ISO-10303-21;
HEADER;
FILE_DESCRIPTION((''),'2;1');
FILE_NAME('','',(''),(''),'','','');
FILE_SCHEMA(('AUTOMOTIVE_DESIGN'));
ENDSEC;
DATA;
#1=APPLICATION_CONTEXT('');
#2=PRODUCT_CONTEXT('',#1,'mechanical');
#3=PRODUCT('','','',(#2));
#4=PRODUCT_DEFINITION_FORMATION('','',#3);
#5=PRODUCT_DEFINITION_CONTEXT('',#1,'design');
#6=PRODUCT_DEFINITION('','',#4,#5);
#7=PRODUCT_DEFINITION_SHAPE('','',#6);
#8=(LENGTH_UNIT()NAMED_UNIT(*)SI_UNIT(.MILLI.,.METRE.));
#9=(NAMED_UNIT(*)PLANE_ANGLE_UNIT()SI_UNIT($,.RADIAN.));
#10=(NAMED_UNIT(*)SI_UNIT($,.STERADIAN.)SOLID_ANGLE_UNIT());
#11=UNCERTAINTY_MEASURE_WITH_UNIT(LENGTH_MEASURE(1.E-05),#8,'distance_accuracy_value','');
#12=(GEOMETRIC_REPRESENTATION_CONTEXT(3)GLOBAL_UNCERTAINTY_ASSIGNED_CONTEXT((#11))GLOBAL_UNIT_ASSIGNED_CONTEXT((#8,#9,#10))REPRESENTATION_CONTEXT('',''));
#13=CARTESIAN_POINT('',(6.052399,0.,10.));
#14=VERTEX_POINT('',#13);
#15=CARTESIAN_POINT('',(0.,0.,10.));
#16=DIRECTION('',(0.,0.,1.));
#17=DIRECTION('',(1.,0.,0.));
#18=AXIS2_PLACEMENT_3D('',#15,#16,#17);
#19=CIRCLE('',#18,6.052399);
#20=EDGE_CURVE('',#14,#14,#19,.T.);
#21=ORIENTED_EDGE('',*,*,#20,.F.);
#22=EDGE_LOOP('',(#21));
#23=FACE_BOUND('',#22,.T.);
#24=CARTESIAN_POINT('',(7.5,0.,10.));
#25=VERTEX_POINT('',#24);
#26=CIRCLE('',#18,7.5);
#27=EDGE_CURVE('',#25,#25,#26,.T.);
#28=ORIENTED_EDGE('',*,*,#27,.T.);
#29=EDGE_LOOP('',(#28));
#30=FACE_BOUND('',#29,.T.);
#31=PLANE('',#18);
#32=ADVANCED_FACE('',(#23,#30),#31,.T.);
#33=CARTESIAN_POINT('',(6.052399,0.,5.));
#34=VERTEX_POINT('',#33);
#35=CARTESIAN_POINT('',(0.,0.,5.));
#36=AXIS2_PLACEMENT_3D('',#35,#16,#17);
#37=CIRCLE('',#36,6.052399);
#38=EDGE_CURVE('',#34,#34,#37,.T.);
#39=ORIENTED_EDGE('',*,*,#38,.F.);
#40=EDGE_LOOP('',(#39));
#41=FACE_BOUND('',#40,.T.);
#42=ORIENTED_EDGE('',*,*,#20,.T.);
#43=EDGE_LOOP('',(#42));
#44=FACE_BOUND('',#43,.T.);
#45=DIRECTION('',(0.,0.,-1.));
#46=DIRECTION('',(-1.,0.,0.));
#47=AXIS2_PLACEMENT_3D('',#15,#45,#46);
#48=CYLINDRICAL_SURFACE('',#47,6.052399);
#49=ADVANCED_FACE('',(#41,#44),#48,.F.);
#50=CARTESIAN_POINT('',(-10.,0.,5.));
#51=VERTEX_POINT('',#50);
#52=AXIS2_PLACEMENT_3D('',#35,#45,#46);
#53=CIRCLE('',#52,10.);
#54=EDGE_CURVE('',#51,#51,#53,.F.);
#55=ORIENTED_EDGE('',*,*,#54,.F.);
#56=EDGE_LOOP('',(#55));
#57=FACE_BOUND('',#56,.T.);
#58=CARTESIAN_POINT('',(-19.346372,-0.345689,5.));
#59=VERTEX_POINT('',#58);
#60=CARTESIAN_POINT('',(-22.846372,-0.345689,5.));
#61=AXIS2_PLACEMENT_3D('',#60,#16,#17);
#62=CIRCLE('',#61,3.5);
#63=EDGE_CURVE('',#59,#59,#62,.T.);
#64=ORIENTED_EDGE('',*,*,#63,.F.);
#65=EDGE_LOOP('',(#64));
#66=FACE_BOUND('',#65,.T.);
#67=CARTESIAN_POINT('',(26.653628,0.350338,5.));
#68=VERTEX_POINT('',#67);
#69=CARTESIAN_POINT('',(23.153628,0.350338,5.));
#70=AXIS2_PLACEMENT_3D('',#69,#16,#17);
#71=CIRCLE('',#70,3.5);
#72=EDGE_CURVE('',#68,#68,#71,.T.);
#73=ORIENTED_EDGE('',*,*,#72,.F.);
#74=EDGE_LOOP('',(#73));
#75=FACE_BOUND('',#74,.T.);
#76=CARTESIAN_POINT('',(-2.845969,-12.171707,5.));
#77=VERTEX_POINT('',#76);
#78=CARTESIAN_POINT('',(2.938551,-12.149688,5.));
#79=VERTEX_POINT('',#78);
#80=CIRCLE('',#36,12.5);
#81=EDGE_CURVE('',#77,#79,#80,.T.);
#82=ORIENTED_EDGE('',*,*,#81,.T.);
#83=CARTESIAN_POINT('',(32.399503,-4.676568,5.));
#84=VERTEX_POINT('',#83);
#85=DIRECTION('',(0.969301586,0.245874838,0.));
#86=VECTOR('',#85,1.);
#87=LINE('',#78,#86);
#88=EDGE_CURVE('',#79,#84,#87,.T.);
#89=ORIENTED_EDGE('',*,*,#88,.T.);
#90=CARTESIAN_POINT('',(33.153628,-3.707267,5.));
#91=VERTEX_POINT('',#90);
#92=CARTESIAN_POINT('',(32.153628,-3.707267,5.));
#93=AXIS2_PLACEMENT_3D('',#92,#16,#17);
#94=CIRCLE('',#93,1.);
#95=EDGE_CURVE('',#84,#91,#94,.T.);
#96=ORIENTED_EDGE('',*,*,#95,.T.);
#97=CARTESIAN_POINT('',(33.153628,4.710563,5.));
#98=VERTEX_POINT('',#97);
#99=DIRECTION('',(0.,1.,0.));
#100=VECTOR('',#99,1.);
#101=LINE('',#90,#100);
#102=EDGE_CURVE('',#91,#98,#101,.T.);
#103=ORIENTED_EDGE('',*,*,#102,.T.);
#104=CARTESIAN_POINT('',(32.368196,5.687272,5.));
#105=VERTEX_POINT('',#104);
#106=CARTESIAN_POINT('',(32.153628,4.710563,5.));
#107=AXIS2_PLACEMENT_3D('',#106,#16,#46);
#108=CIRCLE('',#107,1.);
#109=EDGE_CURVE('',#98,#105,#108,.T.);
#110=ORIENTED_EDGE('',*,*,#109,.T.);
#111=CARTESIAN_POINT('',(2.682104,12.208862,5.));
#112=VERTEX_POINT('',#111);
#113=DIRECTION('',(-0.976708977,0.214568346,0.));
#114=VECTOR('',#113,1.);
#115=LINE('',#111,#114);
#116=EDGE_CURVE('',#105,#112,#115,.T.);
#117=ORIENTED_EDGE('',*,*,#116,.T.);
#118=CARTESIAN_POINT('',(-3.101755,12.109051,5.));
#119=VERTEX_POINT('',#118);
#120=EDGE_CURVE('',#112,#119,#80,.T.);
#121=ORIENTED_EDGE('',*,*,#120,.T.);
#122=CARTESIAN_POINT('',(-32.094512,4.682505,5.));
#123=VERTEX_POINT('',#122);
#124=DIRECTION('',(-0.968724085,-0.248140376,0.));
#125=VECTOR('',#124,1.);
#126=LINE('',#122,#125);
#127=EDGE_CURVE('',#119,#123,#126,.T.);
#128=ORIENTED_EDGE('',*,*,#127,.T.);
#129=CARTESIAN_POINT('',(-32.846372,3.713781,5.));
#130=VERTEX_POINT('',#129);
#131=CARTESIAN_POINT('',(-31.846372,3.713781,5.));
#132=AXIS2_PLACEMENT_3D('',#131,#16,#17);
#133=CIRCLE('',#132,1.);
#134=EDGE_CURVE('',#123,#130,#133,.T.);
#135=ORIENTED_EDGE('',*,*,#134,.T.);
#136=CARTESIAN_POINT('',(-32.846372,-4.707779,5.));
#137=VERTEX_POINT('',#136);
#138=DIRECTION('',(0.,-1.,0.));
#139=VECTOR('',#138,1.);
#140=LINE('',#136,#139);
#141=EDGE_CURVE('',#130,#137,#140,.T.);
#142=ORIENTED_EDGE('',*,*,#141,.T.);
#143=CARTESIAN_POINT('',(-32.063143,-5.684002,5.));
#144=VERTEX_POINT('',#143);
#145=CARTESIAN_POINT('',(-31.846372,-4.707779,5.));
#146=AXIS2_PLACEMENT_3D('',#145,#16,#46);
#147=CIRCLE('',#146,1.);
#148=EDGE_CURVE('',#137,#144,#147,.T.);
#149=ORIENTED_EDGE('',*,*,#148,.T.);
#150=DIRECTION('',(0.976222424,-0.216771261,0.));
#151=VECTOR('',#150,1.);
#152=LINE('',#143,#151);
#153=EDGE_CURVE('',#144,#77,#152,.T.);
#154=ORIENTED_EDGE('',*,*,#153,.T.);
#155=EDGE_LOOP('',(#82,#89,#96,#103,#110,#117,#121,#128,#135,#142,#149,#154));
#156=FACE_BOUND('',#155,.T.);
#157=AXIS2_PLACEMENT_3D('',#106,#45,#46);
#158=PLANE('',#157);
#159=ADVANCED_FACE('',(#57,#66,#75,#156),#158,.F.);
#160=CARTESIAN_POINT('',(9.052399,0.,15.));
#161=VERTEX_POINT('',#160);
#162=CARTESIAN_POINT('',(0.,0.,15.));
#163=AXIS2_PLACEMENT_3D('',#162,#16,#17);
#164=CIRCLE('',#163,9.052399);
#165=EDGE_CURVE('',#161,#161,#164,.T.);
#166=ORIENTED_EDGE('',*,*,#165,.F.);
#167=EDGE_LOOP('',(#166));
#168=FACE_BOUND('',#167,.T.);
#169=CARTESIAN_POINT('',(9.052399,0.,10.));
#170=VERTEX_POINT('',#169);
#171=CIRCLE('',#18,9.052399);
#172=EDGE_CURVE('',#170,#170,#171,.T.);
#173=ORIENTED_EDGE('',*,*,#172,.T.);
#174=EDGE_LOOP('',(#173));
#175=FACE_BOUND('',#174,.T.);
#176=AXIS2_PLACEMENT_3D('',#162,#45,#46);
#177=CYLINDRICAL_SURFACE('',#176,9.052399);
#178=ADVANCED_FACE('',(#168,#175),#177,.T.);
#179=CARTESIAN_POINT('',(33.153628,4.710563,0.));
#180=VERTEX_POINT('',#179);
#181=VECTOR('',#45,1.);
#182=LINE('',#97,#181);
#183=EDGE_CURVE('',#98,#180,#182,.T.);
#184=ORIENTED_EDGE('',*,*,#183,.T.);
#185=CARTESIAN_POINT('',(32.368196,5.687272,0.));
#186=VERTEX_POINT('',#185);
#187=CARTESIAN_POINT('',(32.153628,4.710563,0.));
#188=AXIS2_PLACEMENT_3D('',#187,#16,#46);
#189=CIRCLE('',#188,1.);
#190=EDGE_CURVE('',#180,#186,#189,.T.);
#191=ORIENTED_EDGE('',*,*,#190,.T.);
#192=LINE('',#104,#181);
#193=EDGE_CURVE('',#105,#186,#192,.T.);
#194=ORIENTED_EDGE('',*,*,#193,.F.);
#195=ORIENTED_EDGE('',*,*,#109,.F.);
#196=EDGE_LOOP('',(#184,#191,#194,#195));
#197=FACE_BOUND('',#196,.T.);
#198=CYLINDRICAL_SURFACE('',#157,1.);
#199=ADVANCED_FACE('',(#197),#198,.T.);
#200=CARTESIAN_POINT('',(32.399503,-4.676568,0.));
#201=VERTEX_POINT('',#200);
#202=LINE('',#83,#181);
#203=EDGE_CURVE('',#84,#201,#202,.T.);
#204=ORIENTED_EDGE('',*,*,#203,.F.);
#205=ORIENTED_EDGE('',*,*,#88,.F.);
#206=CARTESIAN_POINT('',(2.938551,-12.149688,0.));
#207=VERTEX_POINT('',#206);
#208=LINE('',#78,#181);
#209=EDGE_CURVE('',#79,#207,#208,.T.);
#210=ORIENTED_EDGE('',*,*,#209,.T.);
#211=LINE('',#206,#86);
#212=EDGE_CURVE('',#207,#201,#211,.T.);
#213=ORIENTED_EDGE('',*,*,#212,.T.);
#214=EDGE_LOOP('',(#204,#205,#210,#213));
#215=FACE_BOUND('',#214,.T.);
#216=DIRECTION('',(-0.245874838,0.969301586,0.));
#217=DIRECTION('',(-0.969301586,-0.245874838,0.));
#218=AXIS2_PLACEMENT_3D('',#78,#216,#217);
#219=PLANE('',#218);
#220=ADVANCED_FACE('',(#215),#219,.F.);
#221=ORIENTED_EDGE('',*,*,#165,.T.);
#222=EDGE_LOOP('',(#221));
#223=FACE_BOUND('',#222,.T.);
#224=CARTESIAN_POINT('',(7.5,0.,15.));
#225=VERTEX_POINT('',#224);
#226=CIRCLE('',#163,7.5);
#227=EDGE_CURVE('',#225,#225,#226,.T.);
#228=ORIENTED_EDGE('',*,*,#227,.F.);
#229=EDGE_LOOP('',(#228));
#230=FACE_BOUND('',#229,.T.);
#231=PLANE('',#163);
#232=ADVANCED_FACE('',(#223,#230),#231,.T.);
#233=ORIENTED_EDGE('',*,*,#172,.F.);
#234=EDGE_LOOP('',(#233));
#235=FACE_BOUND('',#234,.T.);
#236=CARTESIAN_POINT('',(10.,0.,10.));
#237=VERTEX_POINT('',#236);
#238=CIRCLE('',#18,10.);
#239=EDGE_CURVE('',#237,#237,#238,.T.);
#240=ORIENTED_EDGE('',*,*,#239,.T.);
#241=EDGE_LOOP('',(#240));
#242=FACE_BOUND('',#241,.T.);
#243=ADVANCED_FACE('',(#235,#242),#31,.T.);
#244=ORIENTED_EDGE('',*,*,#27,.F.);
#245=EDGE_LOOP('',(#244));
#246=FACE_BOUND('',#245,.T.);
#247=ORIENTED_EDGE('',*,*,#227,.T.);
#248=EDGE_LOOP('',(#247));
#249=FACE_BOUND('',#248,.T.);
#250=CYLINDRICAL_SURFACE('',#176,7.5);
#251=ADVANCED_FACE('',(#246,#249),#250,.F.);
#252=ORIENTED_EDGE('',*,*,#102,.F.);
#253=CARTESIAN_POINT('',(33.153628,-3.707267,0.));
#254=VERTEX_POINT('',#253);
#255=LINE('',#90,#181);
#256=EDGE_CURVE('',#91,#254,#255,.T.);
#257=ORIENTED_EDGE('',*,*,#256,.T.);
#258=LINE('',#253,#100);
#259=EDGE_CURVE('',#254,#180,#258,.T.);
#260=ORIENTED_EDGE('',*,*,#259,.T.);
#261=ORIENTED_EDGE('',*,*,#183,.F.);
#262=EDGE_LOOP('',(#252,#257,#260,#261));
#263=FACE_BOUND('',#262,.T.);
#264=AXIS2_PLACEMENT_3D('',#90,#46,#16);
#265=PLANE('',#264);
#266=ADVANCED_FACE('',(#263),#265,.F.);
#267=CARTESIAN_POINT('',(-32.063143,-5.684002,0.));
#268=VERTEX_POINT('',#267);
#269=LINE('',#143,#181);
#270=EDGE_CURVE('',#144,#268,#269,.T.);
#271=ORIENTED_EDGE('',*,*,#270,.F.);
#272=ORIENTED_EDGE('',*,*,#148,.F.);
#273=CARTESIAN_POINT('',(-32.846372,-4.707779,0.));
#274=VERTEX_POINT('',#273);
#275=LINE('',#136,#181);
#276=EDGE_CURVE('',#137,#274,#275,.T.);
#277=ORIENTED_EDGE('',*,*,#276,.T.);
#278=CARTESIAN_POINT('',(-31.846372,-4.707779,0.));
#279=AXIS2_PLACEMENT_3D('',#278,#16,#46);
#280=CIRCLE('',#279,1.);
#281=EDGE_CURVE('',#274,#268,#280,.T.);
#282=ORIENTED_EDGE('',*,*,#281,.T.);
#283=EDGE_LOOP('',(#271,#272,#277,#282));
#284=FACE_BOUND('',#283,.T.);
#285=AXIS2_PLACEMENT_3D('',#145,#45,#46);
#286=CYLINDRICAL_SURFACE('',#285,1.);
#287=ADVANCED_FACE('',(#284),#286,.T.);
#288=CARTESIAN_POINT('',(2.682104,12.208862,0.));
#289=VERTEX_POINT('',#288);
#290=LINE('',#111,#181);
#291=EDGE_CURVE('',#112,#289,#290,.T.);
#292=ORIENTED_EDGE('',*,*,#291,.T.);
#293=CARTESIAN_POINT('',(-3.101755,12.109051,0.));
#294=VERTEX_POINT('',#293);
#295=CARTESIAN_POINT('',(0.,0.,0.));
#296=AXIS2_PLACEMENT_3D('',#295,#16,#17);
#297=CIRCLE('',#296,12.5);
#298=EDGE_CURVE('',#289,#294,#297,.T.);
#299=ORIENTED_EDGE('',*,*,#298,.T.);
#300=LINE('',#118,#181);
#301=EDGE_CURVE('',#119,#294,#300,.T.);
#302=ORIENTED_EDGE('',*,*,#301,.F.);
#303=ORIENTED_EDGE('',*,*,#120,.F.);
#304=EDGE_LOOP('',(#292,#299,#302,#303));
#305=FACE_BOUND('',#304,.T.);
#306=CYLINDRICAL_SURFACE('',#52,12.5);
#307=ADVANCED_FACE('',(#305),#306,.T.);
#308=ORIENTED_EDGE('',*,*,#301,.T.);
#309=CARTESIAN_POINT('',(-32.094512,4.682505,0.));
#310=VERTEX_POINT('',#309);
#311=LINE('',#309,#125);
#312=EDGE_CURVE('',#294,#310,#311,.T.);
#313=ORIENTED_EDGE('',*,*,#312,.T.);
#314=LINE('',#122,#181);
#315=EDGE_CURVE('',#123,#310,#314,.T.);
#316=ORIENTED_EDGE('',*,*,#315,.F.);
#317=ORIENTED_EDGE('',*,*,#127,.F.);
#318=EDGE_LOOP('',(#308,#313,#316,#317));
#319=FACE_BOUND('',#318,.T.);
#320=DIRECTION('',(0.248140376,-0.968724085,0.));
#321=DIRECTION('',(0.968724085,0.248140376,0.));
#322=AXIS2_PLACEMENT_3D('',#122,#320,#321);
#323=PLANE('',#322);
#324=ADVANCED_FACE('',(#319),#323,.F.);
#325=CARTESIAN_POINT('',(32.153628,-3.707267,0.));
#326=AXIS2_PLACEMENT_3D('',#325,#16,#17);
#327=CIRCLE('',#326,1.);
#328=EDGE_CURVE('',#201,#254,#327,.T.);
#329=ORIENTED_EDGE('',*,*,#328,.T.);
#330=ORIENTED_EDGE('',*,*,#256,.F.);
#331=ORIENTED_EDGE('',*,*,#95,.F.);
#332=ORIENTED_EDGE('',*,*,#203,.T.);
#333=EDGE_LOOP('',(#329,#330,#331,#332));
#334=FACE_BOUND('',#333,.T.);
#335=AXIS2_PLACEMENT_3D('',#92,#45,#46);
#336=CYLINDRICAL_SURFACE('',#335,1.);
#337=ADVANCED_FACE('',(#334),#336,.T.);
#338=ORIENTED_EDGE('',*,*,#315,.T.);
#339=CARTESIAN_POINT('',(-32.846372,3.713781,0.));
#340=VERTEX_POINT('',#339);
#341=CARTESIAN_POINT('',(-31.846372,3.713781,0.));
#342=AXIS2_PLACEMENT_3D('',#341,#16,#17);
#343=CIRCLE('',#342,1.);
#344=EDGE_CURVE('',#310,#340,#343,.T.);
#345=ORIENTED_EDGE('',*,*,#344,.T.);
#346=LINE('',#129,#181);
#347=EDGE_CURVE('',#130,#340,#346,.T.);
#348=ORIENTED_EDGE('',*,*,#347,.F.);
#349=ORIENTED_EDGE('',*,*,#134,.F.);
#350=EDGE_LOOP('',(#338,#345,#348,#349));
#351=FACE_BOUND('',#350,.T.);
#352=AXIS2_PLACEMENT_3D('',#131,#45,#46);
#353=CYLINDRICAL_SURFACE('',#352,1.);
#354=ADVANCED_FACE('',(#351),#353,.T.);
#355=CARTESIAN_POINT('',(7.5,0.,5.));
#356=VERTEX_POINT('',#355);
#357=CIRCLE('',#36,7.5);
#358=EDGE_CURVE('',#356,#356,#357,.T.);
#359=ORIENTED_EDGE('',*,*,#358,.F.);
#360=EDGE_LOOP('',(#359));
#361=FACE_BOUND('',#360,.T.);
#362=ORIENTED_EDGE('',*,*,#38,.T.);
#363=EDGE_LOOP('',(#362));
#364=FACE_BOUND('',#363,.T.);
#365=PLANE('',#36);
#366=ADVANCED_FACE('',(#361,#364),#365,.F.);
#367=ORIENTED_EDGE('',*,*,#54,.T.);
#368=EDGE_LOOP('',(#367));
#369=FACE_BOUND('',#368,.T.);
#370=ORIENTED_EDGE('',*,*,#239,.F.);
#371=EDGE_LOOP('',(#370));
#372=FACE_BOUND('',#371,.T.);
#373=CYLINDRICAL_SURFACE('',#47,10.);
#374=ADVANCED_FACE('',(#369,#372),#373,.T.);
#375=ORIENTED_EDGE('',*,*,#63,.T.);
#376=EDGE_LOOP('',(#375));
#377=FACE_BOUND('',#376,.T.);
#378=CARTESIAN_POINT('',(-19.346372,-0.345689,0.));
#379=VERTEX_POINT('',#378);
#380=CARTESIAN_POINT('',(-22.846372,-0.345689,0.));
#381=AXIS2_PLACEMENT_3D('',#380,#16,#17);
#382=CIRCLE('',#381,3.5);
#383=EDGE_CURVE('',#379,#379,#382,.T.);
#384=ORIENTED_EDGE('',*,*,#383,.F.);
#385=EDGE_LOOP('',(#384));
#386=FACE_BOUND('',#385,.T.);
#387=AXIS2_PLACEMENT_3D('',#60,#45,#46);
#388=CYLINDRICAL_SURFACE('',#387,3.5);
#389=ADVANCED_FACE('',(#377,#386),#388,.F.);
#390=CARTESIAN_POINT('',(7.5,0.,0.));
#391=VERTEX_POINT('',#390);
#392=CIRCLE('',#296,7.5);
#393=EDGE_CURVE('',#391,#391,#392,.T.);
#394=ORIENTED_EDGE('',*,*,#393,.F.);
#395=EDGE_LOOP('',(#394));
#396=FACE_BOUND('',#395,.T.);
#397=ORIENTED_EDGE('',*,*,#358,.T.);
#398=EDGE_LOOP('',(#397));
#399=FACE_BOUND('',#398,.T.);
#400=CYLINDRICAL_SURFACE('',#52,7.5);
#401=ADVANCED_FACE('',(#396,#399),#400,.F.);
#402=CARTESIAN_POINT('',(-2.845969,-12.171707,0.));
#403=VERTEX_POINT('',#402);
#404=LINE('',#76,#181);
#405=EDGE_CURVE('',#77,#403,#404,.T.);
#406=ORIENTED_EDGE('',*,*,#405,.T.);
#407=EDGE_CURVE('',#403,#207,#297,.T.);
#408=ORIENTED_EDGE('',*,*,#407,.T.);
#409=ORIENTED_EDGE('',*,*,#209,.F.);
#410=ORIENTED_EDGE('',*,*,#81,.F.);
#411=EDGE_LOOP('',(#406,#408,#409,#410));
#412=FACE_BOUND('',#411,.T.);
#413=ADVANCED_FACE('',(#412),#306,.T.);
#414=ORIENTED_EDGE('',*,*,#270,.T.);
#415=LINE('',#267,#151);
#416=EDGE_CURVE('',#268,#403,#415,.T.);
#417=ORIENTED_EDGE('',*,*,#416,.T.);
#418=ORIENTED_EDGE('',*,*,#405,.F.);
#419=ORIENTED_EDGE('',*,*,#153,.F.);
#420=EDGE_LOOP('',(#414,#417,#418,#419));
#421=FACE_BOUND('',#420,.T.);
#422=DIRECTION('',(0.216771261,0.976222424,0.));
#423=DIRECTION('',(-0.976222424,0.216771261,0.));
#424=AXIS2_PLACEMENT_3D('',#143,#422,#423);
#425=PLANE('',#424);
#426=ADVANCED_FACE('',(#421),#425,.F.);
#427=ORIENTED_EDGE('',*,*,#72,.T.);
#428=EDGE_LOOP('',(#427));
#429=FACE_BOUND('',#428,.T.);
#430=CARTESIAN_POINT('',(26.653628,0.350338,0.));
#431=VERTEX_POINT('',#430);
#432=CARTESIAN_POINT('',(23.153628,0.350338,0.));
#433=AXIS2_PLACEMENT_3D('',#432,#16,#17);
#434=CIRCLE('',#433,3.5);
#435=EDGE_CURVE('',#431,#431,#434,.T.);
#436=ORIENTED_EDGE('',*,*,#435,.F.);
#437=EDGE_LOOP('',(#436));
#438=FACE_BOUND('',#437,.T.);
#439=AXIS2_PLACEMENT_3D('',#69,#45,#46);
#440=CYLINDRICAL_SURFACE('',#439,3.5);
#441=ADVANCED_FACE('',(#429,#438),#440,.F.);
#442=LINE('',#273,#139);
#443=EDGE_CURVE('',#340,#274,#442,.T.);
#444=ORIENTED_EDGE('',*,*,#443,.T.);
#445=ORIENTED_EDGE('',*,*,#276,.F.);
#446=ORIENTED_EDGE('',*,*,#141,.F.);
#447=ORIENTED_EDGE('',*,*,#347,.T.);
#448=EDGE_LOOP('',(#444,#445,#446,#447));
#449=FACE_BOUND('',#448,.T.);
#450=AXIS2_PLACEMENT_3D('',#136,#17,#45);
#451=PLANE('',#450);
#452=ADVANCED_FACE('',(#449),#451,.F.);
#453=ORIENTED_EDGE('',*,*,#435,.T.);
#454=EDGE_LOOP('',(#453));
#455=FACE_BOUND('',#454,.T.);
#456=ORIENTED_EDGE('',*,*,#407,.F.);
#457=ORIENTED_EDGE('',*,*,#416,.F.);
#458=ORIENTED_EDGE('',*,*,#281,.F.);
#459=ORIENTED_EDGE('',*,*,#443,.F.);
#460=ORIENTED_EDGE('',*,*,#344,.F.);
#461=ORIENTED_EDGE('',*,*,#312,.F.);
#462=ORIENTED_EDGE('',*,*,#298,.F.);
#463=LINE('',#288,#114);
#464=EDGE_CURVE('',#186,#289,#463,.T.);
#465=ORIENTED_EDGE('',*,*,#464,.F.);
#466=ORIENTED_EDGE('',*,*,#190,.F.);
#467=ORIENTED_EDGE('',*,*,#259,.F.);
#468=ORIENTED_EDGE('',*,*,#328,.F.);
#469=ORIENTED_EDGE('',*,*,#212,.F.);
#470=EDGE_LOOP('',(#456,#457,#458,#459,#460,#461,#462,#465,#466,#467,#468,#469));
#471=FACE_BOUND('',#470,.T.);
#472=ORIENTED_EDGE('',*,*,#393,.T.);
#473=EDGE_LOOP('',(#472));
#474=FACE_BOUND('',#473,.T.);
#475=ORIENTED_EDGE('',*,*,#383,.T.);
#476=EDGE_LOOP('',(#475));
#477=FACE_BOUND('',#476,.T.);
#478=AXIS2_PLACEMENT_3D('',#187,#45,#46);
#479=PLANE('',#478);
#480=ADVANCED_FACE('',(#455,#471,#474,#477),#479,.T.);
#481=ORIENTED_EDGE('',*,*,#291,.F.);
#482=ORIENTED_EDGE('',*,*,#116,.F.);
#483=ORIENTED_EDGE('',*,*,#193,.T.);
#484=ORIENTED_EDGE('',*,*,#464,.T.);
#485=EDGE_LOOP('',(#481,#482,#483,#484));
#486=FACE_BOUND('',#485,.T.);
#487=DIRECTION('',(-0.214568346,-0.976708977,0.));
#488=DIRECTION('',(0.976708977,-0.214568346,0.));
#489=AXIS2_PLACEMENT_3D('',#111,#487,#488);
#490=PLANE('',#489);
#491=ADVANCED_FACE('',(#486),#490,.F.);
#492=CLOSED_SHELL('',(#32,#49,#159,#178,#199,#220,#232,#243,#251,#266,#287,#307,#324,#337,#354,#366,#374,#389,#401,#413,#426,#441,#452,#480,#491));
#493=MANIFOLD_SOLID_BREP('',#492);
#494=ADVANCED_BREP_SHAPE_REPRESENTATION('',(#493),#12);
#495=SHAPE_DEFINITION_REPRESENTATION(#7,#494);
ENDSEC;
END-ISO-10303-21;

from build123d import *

# Parameters (mm, degrees)
SKETCH2_R           = 7.5
SKETCH2_R_2         = 3.5
BOSS_EXTRUDE1_DEPTH = 5
SKETCH3_R           = 10
SKETCH3_R_2         = 6.052399113
BOSS_EXTRUDE2_DEPTH = 5
SKETCH5_R           = 9.052399113
SKETCH5_R_2         = 7.5
BOSS_EXTRUDE3_DEPTH = 5


with BuildPart() as part:
    # Sketch2 → Boss-Extrude1 (new body)
    with BuildSketch(Plane.XY):
        with BuildLine():
            Line((-32.094512491, 4.68250523), (-3.101754703, 12.109051068))
            ThreePointArc((-3.101754703, 12.109051068), (-0.215678408, 12.498139174), (2.682104326, 12.208862207))
            Line((2.682104326, 12.208862207), (32.368196231, 5.687272056))
            ThreePointArc((32.368196231, 5.687272056), (32.932912283, 5.337233509), (33.153627885, 4.710563079))
            Line((33.153627885, 4.710563079), (33.153627885, -3.707266727))
            ThreePointArc((33.153627885, -3.707266727), (32.942891731, -4.321320943), (32.399502723, -4.676568312))
            Line((32.399502723, -4.676568312), (2.938551053, -12.149687967))
            ThreePointArc((2.938551053, -12.149687967), (0.047582142, -12.499909437), (-2.845969256, -12.171707316))
            Line((-2.845969256, -12.171707316), (-32.063143376, -5.684001735))
            ThreePointArc((-32.063143376, -5.684001735), (-32.626362904, -5.333570306), (-32.846372115, -4.707779311))
            Line((-32.846372115, -4.707779311), (-32.846372115, 3.713781144))
            ThreePointArc((-32.846372115, 3.713781144), (-32.636353246, 4.326912298), (-32.094512491, 4.68250523))
        make_face()
        Circle(SKETCH2_R, mode=Mode.SUBTRACT)
        with Locations((-22.846372115, -0.345688892)):
            Circle(SKETCH2_R_2, mode=Mode.SUBTRACT)
        with Locations((23.153627885, 0.350337985)):
            Circle(SKETCH2_R_2, mode=Mode.SUBTRACT)
    extrude(amount=BOSS_EXTRUDE1_DEPTH)

    # Sketch3 → Boss-Extrude2 (add)
    with BuildSketch(Plane.XY.offset(5)):
        with Locations(Location((0, 0, 0), (0, 0, 180))):
            Circle(SKETCH3_R)
        Circle(SKETCH3_R_2, mode=Mode.SUBTRACT)
    extrude(amount=BOSS_EXTRUDE2_DEPTH)

    # Sketch5 → Boss-Extrude3 (add)
    with BuildSketch(Plane.XY.offset(10)):
        Circle(SKETCH5_R)
        Circle(SKETCH5_R_2, mode=Mode.SUBTRACT)
    extrude(amount=BOSS_EXTRUDE3_DEPTH)


solid = part.part
